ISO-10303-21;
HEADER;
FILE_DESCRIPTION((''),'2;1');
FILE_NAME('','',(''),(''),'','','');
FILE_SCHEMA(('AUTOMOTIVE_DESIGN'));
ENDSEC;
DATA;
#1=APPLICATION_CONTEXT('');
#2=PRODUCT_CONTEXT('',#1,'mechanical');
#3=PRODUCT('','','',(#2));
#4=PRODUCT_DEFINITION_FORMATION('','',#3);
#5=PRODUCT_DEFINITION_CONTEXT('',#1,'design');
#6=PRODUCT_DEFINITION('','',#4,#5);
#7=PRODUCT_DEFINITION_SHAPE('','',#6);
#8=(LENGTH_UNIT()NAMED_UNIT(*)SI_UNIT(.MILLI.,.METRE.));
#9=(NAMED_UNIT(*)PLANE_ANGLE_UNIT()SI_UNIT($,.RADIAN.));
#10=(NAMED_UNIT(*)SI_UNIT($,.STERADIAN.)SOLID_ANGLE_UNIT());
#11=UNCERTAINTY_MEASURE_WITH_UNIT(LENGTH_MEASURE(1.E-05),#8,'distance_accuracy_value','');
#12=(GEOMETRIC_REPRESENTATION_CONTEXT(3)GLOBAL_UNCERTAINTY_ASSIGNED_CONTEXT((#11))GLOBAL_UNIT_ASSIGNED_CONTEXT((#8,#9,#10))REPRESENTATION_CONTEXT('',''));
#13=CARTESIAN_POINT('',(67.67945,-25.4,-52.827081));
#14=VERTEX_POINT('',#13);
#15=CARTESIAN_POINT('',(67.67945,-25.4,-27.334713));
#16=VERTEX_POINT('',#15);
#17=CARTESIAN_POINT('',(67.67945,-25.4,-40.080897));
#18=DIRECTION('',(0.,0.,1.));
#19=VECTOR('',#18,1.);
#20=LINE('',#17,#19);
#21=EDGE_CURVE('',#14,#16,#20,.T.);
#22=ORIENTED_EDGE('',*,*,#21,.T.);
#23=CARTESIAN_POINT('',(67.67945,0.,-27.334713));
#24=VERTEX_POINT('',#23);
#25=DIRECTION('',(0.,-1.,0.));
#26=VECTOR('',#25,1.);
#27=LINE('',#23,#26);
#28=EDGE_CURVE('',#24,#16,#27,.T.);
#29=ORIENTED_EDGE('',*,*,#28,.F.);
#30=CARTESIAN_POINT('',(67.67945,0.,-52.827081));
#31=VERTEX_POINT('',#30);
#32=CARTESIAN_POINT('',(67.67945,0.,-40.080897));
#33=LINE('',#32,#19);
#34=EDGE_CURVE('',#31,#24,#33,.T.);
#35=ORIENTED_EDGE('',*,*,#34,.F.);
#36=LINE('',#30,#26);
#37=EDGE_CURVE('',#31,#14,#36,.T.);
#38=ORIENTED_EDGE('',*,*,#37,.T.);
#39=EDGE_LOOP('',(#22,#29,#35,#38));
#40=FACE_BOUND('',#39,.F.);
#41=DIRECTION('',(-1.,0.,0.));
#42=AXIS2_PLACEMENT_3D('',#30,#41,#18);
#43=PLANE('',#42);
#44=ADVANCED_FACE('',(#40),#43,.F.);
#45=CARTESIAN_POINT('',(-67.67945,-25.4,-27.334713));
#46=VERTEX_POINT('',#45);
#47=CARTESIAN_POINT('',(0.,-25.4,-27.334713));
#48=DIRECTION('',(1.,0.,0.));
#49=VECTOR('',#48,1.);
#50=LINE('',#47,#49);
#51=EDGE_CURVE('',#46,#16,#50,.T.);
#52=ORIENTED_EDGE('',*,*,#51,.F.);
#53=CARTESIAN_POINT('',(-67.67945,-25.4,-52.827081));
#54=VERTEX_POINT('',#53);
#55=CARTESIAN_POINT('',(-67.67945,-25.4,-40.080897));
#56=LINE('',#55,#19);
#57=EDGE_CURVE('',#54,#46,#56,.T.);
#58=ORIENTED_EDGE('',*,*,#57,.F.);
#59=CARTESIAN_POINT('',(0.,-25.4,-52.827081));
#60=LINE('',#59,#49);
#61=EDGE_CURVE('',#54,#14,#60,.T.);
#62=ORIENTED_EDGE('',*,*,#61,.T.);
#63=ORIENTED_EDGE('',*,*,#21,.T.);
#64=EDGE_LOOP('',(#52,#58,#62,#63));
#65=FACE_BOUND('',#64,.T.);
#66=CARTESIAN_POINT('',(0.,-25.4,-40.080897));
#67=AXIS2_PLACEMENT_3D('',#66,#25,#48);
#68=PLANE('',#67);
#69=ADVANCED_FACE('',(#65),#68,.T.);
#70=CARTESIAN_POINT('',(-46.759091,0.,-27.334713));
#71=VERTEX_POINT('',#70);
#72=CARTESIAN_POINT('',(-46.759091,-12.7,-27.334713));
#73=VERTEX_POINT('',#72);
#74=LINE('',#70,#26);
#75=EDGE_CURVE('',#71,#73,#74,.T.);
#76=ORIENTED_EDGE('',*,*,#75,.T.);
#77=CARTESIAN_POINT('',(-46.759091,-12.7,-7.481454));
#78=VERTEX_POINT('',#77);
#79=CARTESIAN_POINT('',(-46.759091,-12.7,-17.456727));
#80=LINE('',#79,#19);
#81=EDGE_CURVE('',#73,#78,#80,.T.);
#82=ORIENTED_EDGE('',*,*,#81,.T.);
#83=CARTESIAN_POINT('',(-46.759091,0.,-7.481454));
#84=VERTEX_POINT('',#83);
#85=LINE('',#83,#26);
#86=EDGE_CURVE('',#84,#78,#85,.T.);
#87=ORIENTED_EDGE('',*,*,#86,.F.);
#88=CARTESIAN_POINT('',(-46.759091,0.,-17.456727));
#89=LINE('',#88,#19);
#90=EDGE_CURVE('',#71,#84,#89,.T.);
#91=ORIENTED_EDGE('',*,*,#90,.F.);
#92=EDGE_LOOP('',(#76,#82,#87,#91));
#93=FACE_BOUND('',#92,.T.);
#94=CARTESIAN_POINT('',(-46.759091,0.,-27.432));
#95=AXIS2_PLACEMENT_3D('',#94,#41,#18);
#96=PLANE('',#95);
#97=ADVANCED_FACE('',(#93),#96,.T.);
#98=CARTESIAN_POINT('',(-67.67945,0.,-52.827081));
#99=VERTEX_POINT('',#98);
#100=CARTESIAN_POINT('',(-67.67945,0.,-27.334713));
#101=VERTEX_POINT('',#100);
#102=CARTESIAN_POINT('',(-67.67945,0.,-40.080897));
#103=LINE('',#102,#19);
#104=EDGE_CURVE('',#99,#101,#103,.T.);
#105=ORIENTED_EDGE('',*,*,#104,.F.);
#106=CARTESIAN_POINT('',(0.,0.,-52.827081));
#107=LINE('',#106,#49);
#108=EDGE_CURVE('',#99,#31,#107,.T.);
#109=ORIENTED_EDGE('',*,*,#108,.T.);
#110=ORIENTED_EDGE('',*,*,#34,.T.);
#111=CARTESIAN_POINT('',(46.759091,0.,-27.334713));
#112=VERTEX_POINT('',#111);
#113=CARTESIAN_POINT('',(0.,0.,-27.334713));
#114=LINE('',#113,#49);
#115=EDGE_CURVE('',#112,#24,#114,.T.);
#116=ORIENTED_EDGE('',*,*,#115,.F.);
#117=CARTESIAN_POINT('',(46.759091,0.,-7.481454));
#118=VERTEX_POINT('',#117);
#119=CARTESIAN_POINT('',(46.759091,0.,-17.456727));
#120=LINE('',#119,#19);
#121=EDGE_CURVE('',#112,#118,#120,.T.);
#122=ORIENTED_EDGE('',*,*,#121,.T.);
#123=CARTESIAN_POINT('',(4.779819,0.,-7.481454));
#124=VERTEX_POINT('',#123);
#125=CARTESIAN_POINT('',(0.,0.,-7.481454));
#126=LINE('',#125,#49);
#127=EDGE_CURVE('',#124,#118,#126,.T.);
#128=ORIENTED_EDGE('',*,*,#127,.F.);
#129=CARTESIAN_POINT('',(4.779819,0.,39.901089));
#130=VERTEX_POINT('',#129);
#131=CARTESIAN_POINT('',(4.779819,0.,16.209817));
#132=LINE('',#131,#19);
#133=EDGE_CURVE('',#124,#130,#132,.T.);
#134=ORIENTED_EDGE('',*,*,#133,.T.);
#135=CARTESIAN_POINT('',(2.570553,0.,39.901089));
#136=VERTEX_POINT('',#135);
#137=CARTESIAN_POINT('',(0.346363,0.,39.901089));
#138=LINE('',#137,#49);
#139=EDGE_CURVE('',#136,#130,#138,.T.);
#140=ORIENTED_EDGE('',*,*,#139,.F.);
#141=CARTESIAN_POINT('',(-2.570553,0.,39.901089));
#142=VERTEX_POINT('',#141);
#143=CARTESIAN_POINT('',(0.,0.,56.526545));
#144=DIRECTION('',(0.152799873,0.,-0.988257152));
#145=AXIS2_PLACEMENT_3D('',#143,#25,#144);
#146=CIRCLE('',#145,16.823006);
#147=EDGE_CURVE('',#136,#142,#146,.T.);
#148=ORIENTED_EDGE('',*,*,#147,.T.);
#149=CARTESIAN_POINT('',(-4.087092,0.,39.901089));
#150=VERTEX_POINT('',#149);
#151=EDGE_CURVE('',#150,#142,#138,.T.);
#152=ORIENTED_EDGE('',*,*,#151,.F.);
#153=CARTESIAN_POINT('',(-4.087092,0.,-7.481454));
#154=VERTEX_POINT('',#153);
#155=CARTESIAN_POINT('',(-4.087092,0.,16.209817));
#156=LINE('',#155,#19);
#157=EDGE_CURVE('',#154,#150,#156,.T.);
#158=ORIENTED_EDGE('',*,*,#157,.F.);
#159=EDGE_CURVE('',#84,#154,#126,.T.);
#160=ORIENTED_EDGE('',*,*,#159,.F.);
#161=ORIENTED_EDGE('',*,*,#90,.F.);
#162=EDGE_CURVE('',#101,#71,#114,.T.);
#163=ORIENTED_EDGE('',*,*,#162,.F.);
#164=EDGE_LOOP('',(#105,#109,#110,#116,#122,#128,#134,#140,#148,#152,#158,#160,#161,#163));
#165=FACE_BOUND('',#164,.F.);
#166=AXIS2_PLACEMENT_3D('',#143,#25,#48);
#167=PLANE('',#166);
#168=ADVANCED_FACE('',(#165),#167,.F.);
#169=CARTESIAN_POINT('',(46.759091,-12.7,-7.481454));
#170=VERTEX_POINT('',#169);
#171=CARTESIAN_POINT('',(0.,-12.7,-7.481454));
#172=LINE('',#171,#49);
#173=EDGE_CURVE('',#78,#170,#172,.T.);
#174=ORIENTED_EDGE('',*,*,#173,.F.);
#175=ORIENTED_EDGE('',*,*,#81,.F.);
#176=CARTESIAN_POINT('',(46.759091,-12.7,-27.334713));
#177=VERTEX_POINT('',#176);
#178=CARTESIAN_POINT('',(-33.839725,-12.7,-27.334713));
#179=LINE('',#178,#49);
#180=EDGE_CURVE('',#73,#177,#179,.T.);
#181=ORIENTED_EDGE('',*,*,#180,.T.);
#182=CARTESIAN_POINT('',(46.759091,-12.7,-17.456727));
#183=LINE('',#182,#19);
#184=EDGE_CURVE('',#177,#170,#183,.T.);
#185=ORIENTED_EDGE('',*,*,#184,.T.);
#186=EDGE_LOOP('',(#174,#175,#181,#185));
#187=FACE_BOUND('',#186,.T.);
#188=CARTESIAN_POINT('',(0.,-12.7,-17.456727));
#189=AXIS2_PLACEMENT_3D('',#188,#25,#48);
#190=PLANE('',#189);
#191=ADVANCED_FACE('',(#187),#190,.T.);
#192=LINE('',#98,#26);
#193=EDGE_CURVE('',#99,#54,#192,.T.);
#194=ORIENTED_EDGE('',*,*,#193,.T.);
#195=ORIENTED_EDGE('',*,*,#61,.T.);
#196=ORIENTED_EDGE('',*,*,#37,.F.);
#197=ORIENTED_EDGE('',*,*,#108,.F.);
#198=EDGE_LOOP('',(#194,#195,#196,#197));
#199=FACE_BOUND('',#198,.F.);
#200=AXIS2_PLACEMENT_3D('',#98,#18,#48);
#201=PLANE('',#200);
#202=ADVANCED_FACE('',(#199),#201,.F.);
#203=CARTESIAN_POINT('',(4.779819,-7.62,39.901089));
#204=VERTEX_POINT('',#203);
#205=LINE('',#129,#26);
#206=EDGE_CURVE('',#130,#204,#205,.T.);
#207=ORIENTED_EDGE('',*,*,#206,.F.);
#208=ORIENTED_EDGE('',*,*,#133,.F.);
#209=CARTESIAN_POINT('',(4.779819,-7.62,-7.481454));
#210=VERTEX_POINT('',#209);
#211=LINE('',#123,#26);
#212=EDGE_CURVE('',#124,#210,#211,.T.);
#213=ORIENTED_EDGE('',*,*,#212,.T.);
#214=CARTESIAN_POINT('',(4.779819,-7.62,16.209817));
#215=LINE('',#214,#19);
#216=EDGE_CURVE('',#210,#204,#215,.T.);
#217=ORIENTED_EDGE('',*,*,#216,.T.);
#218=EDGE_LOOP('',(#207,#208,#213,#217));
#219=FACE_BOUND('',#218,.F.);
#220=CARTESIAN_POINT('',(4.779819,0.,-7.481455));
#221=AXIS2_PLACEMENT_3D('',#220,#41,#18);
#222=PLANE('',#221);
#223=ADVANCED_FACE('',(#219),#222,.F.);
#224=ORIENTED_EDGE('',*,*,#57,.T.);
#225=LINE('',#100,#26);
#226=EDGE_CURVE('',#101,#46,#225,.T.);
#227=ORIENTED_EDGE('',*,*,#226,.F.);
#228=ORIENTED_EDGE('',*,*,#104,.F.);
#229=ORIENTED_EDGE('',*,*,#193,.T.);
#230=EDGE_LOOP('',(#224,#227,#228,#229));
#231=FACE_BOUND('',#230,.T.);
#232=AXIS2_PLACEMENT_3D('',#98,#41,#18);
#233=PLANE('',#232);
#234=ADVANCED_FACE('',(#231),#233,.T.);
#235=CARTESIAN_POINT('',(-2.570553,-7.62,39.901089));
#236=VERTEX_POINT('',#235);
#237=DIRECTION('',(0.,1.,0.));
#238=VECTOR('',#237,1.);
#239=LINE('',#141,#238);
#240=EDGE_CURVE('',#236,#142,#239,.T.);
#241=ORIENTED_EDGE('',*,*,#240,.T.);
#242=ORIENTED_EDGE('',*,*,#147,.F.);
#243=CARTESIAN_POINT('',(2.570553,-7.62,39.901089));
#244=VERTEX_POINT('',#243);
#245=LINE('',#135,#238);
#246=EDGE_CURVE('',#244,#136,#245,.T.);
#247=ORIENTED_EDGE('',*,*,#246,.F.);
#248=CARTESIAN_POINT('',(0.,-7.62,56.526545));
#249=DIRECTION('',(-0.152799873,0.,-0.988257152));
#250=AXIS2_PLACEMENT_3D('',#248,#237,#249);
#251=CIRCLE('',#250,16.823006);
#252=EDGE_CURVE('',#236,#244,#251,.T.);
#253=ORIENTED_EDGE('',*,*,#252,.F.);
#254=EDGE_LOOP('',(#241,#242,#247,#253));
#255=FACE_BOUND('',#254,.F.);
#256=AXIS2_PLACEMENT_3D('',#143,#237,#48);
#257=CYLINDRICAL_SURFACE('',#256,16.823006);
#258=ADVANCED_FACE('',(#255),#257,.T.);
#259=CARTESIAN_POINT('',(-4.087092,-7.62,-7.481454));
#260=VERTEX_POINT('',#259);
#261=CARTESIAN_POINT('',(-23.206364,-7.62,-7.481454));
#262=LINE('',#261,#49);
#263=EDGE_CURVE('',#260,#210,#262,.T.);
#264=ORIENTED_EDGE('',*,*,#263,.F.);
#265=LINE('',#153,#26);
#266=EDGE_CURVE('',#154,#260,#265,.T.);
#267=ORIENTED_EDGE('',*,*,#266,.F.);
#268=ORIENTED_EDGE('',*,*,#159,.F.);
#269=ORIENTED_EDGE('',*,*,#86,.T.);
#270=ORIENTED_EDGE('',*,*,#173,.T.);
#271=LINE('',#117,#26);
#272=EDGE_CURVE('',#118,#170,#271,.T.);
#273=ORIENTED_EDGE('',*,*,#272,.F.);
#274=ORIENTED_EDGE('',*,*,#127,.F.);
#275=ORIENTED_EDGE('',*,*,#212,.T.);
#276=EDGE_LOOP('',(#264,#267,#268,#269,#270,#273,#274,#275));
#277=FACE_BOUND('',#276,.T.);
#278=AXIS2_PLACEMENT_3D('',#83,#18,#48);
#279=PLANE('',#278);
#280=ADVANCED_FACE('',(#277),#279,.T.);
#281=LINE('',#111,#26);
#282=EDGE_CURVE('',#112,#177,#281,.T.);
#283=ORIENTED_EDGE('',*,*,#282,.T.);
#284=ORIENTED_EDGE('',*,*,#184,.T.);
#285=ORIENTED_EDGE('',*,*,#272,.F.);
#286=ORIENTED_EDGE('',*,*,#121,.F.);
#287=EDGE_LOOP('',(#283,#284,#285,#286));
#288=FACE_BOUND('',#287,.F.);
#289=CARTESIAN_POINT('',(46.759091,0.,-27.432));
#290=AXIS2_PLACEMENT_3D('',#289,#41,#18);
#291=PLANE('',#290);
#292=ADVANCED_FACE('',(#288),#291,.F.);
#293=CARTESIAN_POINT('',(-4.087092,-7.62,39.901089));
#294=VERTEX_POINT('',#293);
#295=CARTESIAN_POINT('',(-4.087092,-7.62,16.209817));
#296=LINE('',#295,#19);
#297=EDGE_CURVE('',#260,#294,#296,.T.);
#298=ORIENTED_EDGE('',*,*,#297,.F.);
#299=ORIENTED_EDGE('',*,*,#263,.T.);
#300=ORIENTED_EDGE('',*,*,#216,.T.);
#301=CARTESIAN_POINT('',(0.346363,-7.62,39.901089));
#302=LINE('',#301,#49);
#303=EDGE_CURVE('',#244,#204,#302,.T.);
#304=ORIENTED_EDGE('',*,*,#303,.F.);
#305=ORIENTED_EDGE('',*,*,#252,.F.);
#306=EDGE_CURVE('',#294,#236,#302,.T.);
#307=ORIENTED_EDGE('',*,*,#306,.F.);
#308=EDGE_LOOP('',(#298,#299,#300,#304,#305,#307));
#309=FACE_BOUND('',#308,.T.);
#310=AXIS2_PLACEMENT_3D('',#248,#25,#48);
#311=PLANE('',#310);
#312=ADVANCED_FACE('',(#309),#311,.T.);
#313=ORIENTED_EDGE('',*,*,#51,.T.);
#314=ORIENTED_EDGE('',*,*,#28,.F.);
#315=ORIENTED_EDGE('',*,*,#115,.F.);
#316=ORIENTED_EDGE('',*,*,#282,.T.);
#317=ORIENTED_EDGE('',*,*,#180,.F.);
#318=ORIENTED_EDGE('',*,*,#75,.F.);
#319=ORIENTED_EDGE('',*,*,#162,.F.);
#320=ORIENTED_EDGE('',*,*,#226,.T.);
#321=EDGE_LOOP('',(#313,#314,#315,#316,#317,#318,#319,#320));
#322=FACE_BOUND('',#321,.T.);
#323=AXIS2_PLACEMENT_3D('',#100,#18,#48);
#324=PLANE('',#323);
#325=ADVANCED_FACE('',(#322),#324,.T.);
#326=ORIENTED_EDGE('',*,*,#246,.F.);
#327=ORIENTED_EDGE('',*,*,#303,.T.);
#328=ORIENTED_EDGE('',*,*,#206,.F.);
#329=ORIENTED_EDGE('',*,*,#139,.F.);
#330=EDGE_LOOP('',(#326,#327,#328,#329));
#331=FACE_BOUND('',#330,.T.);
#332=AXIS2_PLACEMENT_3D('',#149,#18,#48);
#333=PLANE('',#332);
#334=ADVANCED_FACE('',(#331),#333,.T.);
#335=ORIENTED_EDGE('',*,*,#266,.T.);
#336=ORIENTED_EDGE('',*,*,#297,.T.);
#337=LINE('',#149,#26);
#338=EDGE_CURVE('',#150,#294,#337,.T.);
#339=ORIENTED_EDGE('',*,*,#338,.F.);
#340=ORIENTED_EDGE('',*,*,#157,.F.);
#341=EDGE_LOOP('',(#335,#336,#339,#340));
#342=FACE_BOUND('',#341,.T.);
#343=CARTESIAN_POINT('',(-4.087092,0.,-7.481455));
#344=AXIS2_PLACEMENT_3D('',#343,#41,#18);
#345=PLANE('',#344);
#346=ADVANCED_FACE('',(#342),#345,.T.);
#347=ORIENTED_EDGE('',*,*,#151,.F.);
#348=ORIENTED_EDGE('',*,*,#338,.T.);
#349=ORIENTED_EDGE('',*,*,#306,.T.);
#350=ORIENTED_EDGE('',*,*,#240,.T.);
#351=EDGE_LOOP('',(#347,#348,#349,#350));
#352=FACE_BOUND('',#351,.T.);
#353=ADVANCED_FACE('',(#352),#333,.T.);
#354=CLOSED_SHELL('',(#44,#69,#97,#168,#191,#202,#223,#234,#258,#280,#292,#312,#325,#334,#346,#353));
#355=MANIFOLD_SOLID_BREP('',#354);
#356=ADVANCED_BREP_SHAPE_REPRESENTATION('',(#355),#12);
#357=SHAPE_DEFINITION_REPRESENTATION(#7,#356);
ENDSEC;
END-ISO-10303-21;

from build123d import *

# Parameters (mm, degrees)
F0_W     = 135.3589
F0_H     = 25.492367
F1_DEPTH = 25.4
F2_W     = 93.518182
F2_H     = 19.950546
F3_DEPTH = 12.7
F4_W     = 8.866911
F4_H     = 47.382544
F5_DEPTH = 7.62
F6_R     = 16.823006
F7_DEPTH = 7.62


with BuildPart() as f1:
    # F0 (on Front) → F1 (new body)
    with BuildSketch(Plane.XZ):
        with Locations((0, -40.080897)):
            Rectangle(F0_W, F0_H)
    extrude(amount=F1_DEPTH)

    # F2 (on Front) → F3 (join)
    with BuildSketch(Plane.XZ):
        with Locations((0, -17.456727)):
            Rectangle(F2_W, F2_H)
    extrude(amount=F3_DEPTH)

    # F4 (on Front) → F5 (join)
    with BuildSketch(Plane.XZ):
        with Locations((0.346363, 16.209817)):
            Rectangle(F4_W, F4_H)
    extrude(amount=F5_DEPTH)

    # F6 (on Front) → F7 (join)
    with BuildSketch(Plane.XZ):
        with Locations((0, 56.526545)):
            Circle(F6_R)
    extrude(amount=F7_DEPTH)


solid = f1.part
